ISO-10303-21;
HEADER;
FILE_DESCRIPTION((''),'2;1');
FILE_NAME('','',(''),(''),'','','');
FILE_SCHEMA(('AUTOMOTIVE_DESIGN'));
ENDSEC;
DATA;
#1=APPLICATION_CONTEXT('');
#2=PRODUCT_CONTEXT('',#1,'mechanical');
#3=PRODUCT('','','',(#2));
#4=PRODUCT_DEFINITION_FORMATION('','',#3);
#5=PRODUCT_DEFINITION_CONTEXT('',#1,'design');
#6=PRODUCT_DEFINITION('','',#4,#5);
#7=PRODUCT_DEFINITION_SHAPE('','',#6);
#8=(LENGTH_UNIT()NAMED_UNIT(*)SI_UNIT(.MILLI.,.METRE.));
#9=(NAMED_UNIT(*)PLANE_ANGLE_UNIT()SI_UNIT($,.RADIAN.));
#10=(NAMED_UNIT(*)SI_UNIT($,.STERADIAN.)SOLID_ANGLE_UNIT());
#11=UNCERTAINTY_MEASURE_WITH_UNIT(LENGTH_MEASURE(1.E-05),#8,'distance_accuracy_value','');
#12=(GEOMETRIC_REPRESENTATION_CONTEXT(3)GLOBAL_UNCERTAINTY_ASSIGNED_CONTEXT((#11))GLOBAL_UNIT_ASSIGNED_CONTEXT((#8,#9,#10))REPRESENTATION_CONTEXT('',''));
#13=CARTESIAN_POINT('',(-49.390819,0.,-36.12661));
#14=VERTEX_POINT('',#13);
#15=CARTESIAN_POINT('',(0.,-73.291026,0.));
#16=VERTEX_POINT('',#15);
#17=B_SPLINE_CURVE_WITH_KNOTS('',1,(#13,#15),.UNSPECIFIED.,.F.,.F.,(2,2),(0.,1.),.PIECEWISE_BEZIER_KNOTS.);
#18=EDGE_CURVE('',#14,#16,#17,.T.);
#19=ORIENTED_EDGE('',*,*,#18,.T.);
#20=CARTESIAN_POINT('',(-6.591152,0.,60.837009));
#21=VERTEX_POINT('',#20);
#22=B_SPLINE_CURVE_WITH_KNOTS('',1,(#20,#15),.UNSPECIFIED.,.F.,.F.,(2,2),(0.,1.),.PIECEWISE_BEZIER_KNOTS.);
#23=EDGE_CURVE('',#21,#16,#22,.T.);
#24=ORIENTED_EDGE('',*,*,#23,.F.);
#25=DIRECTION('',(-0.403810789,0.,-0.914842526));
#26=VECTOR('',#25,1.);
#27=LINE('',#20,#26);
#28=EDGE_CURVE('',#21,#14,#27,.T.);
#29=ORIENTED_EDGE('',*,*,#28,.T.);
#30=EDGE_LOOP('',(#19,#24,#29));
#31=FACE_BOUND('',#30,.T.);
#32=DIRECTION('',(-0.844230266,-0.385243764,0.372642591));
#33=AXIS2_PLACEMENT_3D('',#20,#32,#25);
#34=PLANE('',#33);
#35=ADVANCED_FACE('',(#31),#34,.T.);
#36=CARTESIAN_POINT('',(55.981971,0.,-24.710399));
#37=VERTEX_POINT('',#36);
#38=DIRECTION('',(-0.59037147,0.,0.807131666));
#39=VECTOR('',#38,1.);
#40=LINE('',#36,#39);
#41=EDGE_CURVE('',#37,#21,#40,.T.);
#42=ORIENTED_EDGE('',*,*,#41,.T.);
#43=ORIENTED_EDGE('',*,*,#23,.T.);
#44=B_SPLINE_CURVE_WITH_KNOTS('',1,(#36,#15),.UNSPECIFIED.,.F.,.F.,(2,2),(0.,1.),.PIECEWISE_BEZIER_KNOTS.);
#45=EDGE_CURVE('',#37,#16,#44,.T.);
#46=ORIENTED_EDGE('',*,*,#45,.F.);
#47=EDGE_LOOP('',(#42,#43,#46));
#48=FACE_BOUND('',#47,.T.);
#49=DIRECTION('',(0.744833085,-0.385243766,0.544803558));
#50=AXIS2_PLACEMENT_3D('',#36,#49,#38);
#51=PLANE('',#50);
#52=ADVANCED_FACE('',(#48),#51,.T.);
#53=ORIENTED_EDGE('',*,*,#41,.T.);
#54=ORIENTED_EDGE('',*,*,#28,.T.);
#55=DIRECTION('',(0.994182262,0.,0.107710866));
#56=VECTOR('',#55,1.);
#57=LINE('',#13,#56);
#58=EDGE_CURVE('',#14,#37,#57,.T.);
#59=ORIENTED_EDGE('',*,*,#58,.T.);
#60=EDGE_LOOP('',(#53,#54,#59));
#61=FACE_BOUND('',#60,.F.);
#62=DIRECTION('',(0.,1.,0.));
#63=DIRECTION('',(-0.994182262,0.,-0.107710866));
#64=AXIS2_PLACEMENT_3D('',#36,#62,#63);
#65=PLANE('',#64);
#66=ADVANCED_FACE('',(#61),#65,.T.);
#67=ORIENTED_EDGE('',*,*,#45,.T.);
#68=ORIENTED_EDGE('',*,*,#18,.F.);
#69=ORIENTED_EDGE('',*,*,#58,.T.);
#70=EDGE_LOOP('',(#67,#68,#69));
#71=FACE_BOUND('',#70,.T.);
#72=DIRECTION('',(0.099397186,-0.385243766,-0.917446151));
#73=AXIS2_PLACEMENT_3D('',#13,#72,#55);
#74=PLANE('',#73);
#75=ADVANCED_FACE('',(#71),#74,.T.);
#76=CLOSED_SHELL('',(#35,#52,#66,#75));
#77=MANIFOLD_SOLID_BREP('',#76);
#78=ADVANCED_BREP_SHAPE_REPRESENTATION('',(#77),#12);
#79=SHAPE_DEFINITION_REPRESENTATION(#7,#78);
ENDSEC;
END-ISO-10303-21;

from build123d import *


with BuildPart() as f2:
    # F0 (on Front) → F2 section 0
    with BuildSketch(Plane.XZ, mode=Mode.PRIVATE) as f2_s0:
        Polygon((55.981971, -24.710399), (-6.591152, 60.837009), (-49.390819, -36.12661), align=None)
    loft([f2_s0.sketch, Vertex(0, -73.291026, 0)])


solid = f2.part
